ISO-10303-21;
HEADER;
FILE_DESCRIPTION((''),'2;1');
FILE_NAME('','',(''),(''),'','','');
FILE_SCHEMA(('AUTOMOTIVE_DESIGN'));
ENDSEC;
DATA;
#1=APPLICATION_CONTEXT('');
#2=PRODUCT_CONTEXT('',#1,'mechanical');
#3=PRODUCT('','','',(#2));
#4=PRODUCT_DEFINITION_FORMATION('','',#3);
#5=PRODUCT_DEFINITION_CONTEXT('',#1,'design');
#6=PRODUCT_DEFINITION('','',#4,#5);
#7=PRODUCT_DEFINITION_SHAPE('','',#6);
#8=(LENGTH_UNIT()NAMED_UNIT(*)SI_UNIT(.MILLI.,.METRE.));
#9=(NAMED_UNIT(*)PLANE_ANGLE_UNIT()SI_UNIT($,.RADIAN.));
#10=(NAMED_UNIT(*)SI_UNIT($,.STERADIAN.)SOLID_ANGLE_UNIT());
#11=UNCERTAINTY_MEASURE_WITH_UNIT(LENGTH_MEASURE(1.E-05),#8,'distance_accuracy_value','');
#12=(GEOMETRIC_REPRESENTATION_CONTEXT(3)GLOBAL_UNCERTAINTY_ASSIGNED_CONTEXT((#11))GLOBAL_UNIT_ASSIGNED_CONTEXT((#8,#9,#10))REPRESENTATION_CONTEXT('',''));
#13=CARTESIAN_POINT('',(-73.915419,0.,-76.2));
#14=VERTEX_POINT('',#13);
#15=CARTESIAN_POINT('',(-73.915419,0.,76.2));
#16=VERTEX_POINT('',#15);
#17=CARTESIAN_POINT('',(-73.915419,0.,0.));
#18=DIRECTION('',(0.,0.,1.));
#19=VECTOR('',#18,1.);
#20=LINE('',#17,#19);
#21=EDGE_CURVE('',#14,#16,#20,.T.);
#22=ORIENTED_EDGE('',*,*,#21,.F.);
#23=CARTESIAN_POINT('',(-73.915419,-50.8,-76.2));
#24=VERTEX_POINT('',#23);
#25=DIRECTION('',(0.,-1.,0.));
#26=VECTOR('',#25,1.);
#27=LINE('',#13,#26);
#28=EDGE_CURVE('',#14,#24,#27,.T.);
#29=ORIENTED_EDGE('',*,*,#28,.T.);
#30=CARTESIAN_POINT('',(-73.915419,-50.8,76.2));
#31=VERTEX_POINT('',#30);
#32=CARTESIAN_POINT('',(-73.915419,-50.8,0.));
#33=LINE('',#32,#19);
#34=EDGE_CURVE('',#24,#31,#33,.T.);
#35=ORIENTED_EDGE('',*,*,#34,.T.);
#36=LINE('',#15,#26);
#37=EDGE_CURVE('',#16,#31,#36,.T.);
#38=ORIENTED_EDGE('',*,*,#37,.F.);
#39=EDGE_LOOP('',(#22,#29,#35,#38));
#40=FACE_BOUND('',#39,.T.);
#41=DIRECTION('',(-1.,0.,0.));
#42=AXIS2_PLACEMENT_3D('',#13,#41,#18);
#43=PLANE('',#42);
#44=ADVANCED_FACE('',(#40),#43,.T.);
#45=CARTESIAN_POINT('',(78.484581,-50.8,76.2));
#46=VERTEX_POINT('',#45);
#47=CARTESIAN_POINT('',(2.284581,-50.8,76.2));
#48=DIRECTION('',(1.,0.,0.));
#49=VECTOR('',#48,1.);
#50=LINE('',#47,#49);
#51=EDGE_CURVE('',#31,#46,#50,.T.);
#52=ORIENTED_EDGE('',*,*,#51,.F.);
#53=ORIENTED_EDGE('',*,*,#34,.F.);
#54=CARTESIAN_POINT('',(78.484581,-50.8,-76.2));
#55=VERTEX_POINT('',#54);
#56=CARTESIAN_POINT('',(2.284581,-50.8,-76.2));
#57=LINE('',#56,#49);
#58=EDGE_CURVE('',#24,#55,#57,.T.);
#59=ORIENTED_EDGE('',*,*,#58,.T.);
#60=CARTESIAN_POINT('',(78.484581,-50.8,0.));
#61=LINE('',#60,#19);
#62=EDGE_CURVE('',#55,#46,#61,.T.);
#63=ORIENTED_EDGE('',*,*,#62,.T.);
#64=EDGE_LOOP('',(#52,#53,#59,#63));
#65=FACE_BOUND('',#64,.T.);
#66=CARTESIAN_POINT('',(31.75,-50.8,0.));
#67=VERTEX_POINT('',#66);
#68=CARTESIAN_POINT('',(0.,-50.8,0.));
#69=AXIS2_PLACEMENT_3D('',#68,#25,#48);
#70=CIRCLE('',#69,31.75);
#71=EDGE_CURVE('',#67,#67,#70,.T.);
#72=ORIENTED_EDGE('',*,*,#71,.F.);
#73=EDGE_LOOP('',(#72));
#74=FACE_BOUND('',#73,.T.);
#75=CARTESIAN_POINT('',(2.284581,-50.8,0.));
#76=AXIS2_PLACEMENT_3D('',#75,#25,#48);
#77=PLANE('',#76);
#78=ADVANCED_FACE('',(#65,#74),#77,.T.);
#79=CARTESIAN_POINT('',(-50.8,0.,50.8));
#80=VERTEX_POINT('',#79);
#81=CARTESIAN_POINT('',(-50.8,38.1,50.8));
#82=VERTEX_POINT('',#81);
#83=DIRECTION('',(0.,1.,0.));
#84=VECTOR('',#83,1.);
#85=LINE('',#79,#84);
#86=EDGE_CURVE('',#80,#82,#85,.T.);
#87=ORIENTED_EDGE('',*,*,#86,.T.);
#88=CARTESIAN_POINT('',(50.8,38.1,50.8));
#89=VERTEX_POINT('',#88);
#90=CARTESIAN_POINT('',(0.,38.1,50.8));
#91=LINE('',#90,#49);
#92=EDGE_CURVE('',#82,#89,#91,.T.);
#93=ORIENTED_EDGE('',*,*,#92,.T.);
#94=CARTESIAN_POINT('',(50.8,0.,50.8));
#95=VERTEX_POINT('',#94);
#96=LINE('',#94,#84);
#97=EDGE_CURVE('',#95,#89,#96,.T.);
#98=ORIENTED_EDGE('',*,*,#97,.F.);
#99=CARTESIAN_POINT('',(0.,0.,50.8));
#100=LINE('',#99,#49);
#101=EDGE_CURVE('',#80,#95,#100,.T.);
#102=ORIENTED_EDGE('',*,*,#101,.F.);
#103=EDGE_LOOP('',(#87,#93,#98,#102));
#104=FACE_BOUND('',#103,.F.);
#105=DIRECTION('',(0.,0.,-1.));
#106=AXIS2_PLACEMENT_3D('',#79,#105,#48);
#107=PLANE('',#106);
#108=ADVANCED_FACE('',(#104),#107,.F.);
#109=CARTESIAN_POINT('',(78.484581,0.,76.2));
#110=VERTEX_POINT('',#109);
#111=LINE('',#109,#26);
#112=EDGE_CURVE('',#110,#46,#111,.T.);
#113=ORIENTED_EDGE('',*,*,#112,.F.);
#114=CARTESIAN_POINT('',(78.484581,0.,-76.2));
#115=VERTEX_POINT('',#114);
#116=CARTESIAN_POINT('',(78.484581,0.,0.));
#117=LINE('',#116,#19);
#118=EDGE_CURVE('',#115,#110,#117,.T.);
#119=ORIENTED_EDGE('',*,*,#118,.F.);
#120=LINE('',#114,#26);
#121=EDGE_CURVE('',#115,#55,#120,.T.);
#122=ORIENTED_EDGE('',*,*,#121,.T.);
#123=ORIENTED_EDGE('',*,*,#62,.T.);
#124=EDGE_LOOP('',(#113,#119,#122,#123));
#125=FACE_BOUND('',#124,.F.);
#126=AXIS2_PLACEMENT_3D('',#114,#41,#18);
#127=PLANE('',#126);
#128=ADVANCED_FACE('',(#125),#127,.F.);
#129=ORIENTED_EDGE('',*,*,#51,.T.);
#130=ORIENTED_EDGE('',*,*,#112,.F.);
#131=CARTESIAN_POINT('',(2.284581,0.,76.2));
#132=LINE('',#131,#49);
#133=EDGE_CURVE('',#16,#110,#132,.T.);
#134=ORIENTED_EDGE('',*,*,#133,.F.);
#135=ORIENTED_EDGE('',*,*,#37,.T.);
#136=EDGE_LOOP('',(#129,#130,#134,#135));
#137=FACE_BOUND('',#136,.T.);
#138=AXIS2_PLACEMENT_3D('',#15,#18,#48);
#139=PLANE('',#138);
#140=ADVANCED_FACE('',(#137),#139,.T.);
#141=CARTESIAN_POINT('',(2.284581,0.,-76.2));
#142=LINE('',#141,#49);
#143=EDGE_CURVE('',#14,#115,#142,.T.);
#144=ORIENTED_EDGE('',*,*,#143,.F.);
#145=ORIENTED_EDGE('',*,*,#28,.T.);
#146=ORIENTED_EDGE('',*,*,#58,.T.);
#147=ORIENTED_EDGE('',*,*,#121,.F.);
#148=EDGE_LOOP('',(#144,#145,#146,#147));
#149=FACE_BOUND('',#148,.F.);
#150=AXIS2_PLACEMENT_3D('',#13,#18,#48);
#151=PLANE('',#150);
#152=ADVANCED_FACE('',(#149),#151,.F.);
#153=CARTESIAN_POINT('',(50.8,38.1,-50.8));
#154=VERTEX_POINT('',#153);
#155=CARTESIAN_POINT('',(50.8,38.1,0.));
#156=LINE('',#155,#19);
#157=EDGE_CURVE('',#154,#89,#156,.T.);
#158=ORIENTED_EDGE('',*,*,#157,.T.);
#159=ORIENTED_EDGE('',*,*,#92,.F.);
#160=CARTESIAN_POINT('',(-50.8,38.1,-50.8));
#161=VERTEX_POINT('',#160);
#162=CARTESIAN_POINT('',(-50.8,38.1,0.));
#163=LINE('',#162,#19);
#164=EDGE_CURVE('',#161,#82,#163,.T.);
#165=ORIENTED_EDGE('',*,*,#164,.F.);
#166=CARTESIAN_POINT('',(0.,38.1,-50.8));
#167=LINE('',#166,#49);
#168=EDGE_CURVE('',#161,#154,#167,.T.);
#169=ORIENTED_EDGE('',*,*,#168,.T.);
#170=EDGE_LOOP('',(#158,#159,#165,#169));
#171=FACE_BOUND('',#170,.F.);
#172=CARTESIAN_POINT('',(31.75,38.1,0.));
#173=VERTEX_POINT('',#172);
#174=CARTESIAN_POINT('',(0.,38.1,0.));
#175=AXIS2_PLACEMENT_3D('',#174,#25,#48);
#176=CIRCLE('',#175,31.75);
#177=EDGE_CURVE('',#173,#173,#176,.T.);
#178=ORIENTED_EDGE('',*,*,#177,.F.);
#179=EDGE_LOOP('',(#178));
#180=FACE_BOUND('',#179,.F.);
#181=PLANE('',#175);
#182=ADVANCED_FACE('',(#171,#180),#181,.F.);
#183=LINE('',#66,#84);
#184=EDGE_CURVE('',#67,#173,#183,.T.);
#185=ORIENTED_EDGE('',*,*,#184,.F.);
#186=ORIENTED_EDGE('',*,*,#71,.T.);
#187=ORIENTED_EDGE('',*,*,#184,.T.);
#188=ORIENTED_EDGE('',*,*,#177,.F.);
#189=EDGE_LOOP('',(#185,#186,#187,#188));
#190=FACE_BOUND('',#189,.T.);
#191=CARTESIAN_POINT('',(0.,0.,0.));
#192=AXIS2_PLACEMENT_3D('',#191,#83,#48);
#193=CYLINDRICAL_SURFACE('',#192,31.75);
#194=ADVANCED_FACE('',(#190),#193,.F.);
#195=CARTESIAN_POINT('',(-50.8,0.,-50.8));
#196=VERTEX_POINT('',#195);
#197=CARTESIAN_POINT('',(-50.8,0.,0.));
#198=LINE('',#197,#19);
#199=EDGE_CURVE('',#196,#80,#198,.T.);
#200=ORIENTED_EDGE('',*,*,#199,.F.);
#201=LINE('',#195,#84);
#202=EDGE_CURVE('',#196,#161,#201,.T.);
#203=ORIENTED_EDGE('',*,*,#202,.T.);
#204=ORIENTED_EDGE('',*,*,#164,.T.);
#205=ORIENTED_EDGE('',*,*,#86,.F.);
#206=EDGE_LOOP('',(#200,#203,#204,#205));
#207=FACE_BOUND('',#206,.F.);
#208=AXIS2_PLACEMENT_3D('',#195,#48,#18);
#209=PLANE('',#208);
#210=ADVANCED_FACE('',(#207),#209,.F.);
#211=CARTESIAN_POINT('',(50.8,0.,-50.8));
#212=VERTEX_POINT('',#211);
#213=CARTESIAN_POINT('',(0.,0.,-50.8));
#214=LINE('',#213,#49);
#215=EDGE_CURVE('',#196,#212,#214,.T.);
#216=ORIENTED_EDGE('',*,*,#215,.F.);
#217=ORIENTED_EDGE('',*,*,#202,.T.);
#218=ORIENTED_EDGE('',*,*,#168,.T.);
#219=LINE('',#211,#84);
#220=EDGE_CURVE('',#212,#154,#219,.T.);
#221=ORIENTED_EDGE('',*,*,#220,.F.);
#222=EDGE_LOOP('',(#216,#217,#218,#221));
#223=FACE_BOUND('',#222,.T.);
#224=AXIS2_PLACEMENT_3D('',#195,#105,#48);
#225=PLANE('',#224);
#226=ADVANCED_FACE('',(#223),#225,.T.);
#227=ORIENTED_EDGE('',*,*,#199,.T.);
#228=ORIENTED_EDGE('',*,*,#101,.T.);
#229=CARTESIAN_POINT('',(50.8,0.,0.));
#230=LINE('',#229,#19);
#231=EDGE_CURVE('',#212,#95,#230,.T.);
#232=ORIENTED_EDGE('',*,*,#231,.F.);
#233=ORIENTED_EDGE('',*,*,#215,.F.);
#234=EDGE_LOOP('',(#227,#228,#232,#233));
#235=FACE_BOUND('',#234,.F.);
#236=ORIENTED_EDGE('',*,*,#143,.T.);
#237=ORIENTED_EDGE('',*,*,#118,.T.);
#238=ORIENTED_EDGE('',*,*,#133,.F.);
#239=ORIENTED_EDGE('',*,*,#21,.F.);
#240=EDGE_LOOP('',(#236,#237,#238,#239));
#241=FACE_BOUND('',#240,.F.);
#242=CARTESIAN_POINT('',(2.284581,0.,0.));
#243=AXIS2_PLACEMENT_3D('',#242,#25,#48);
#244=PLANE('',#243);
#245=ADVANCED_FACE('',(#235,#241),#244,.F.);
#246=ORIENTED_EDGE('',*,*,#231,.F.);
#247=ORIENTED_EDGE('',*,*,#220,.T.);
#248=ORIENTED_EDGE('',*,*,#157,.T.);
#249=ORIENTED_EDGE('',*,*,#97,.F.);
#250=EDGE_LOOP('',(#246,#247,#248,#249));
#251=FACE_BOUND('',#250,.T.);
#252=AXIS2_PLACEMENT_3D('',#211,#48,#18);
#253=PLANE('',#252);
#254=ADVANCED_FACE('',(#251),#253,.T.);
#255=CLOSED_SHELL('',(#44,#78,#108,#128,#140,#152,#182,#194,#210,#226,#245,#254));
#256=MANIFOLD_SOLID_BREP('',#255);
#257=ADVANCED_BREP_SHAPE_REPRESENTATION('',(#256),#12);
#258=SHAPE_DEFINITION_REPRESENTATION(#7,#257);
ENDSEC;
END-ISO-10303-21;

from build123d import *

# Parameters (mm, degrees)
F0_W     = 101.6
F0_H     = 101.6
F0_R     = 31.75
F1_DEPTH = 38.1
F0_W_2   = 152.4
F0_H_2   = 152.4
F2_DEPTH = 50.8


with BuildPart() as f1:
    # F0 (on Front) → F1 (new body)
    with BuildSketch(Plane.XZ):
        Rectangle(F0_W, F0_H)
        Circle(F0_R, mode=Mode.SUBTRACT)
    extrude(amount=-F1_DEPTH)

    # F0 (on Front) → F2 (join)
    with BuildSketch(Plane.XZ):
        with Locations((2.284581, 0)):
            Rectangle(F0_W_2, F0_H_2)
        Rectangle(F0_W, F0_H, mode=Mode.SUBTRACT)
        Rectangle(F0_W, F0_H)
        Circle(F0_R, mode=Mode.SUBTRACT)
    extrude(amount=F2_DEPTH)


solid = f1.part
